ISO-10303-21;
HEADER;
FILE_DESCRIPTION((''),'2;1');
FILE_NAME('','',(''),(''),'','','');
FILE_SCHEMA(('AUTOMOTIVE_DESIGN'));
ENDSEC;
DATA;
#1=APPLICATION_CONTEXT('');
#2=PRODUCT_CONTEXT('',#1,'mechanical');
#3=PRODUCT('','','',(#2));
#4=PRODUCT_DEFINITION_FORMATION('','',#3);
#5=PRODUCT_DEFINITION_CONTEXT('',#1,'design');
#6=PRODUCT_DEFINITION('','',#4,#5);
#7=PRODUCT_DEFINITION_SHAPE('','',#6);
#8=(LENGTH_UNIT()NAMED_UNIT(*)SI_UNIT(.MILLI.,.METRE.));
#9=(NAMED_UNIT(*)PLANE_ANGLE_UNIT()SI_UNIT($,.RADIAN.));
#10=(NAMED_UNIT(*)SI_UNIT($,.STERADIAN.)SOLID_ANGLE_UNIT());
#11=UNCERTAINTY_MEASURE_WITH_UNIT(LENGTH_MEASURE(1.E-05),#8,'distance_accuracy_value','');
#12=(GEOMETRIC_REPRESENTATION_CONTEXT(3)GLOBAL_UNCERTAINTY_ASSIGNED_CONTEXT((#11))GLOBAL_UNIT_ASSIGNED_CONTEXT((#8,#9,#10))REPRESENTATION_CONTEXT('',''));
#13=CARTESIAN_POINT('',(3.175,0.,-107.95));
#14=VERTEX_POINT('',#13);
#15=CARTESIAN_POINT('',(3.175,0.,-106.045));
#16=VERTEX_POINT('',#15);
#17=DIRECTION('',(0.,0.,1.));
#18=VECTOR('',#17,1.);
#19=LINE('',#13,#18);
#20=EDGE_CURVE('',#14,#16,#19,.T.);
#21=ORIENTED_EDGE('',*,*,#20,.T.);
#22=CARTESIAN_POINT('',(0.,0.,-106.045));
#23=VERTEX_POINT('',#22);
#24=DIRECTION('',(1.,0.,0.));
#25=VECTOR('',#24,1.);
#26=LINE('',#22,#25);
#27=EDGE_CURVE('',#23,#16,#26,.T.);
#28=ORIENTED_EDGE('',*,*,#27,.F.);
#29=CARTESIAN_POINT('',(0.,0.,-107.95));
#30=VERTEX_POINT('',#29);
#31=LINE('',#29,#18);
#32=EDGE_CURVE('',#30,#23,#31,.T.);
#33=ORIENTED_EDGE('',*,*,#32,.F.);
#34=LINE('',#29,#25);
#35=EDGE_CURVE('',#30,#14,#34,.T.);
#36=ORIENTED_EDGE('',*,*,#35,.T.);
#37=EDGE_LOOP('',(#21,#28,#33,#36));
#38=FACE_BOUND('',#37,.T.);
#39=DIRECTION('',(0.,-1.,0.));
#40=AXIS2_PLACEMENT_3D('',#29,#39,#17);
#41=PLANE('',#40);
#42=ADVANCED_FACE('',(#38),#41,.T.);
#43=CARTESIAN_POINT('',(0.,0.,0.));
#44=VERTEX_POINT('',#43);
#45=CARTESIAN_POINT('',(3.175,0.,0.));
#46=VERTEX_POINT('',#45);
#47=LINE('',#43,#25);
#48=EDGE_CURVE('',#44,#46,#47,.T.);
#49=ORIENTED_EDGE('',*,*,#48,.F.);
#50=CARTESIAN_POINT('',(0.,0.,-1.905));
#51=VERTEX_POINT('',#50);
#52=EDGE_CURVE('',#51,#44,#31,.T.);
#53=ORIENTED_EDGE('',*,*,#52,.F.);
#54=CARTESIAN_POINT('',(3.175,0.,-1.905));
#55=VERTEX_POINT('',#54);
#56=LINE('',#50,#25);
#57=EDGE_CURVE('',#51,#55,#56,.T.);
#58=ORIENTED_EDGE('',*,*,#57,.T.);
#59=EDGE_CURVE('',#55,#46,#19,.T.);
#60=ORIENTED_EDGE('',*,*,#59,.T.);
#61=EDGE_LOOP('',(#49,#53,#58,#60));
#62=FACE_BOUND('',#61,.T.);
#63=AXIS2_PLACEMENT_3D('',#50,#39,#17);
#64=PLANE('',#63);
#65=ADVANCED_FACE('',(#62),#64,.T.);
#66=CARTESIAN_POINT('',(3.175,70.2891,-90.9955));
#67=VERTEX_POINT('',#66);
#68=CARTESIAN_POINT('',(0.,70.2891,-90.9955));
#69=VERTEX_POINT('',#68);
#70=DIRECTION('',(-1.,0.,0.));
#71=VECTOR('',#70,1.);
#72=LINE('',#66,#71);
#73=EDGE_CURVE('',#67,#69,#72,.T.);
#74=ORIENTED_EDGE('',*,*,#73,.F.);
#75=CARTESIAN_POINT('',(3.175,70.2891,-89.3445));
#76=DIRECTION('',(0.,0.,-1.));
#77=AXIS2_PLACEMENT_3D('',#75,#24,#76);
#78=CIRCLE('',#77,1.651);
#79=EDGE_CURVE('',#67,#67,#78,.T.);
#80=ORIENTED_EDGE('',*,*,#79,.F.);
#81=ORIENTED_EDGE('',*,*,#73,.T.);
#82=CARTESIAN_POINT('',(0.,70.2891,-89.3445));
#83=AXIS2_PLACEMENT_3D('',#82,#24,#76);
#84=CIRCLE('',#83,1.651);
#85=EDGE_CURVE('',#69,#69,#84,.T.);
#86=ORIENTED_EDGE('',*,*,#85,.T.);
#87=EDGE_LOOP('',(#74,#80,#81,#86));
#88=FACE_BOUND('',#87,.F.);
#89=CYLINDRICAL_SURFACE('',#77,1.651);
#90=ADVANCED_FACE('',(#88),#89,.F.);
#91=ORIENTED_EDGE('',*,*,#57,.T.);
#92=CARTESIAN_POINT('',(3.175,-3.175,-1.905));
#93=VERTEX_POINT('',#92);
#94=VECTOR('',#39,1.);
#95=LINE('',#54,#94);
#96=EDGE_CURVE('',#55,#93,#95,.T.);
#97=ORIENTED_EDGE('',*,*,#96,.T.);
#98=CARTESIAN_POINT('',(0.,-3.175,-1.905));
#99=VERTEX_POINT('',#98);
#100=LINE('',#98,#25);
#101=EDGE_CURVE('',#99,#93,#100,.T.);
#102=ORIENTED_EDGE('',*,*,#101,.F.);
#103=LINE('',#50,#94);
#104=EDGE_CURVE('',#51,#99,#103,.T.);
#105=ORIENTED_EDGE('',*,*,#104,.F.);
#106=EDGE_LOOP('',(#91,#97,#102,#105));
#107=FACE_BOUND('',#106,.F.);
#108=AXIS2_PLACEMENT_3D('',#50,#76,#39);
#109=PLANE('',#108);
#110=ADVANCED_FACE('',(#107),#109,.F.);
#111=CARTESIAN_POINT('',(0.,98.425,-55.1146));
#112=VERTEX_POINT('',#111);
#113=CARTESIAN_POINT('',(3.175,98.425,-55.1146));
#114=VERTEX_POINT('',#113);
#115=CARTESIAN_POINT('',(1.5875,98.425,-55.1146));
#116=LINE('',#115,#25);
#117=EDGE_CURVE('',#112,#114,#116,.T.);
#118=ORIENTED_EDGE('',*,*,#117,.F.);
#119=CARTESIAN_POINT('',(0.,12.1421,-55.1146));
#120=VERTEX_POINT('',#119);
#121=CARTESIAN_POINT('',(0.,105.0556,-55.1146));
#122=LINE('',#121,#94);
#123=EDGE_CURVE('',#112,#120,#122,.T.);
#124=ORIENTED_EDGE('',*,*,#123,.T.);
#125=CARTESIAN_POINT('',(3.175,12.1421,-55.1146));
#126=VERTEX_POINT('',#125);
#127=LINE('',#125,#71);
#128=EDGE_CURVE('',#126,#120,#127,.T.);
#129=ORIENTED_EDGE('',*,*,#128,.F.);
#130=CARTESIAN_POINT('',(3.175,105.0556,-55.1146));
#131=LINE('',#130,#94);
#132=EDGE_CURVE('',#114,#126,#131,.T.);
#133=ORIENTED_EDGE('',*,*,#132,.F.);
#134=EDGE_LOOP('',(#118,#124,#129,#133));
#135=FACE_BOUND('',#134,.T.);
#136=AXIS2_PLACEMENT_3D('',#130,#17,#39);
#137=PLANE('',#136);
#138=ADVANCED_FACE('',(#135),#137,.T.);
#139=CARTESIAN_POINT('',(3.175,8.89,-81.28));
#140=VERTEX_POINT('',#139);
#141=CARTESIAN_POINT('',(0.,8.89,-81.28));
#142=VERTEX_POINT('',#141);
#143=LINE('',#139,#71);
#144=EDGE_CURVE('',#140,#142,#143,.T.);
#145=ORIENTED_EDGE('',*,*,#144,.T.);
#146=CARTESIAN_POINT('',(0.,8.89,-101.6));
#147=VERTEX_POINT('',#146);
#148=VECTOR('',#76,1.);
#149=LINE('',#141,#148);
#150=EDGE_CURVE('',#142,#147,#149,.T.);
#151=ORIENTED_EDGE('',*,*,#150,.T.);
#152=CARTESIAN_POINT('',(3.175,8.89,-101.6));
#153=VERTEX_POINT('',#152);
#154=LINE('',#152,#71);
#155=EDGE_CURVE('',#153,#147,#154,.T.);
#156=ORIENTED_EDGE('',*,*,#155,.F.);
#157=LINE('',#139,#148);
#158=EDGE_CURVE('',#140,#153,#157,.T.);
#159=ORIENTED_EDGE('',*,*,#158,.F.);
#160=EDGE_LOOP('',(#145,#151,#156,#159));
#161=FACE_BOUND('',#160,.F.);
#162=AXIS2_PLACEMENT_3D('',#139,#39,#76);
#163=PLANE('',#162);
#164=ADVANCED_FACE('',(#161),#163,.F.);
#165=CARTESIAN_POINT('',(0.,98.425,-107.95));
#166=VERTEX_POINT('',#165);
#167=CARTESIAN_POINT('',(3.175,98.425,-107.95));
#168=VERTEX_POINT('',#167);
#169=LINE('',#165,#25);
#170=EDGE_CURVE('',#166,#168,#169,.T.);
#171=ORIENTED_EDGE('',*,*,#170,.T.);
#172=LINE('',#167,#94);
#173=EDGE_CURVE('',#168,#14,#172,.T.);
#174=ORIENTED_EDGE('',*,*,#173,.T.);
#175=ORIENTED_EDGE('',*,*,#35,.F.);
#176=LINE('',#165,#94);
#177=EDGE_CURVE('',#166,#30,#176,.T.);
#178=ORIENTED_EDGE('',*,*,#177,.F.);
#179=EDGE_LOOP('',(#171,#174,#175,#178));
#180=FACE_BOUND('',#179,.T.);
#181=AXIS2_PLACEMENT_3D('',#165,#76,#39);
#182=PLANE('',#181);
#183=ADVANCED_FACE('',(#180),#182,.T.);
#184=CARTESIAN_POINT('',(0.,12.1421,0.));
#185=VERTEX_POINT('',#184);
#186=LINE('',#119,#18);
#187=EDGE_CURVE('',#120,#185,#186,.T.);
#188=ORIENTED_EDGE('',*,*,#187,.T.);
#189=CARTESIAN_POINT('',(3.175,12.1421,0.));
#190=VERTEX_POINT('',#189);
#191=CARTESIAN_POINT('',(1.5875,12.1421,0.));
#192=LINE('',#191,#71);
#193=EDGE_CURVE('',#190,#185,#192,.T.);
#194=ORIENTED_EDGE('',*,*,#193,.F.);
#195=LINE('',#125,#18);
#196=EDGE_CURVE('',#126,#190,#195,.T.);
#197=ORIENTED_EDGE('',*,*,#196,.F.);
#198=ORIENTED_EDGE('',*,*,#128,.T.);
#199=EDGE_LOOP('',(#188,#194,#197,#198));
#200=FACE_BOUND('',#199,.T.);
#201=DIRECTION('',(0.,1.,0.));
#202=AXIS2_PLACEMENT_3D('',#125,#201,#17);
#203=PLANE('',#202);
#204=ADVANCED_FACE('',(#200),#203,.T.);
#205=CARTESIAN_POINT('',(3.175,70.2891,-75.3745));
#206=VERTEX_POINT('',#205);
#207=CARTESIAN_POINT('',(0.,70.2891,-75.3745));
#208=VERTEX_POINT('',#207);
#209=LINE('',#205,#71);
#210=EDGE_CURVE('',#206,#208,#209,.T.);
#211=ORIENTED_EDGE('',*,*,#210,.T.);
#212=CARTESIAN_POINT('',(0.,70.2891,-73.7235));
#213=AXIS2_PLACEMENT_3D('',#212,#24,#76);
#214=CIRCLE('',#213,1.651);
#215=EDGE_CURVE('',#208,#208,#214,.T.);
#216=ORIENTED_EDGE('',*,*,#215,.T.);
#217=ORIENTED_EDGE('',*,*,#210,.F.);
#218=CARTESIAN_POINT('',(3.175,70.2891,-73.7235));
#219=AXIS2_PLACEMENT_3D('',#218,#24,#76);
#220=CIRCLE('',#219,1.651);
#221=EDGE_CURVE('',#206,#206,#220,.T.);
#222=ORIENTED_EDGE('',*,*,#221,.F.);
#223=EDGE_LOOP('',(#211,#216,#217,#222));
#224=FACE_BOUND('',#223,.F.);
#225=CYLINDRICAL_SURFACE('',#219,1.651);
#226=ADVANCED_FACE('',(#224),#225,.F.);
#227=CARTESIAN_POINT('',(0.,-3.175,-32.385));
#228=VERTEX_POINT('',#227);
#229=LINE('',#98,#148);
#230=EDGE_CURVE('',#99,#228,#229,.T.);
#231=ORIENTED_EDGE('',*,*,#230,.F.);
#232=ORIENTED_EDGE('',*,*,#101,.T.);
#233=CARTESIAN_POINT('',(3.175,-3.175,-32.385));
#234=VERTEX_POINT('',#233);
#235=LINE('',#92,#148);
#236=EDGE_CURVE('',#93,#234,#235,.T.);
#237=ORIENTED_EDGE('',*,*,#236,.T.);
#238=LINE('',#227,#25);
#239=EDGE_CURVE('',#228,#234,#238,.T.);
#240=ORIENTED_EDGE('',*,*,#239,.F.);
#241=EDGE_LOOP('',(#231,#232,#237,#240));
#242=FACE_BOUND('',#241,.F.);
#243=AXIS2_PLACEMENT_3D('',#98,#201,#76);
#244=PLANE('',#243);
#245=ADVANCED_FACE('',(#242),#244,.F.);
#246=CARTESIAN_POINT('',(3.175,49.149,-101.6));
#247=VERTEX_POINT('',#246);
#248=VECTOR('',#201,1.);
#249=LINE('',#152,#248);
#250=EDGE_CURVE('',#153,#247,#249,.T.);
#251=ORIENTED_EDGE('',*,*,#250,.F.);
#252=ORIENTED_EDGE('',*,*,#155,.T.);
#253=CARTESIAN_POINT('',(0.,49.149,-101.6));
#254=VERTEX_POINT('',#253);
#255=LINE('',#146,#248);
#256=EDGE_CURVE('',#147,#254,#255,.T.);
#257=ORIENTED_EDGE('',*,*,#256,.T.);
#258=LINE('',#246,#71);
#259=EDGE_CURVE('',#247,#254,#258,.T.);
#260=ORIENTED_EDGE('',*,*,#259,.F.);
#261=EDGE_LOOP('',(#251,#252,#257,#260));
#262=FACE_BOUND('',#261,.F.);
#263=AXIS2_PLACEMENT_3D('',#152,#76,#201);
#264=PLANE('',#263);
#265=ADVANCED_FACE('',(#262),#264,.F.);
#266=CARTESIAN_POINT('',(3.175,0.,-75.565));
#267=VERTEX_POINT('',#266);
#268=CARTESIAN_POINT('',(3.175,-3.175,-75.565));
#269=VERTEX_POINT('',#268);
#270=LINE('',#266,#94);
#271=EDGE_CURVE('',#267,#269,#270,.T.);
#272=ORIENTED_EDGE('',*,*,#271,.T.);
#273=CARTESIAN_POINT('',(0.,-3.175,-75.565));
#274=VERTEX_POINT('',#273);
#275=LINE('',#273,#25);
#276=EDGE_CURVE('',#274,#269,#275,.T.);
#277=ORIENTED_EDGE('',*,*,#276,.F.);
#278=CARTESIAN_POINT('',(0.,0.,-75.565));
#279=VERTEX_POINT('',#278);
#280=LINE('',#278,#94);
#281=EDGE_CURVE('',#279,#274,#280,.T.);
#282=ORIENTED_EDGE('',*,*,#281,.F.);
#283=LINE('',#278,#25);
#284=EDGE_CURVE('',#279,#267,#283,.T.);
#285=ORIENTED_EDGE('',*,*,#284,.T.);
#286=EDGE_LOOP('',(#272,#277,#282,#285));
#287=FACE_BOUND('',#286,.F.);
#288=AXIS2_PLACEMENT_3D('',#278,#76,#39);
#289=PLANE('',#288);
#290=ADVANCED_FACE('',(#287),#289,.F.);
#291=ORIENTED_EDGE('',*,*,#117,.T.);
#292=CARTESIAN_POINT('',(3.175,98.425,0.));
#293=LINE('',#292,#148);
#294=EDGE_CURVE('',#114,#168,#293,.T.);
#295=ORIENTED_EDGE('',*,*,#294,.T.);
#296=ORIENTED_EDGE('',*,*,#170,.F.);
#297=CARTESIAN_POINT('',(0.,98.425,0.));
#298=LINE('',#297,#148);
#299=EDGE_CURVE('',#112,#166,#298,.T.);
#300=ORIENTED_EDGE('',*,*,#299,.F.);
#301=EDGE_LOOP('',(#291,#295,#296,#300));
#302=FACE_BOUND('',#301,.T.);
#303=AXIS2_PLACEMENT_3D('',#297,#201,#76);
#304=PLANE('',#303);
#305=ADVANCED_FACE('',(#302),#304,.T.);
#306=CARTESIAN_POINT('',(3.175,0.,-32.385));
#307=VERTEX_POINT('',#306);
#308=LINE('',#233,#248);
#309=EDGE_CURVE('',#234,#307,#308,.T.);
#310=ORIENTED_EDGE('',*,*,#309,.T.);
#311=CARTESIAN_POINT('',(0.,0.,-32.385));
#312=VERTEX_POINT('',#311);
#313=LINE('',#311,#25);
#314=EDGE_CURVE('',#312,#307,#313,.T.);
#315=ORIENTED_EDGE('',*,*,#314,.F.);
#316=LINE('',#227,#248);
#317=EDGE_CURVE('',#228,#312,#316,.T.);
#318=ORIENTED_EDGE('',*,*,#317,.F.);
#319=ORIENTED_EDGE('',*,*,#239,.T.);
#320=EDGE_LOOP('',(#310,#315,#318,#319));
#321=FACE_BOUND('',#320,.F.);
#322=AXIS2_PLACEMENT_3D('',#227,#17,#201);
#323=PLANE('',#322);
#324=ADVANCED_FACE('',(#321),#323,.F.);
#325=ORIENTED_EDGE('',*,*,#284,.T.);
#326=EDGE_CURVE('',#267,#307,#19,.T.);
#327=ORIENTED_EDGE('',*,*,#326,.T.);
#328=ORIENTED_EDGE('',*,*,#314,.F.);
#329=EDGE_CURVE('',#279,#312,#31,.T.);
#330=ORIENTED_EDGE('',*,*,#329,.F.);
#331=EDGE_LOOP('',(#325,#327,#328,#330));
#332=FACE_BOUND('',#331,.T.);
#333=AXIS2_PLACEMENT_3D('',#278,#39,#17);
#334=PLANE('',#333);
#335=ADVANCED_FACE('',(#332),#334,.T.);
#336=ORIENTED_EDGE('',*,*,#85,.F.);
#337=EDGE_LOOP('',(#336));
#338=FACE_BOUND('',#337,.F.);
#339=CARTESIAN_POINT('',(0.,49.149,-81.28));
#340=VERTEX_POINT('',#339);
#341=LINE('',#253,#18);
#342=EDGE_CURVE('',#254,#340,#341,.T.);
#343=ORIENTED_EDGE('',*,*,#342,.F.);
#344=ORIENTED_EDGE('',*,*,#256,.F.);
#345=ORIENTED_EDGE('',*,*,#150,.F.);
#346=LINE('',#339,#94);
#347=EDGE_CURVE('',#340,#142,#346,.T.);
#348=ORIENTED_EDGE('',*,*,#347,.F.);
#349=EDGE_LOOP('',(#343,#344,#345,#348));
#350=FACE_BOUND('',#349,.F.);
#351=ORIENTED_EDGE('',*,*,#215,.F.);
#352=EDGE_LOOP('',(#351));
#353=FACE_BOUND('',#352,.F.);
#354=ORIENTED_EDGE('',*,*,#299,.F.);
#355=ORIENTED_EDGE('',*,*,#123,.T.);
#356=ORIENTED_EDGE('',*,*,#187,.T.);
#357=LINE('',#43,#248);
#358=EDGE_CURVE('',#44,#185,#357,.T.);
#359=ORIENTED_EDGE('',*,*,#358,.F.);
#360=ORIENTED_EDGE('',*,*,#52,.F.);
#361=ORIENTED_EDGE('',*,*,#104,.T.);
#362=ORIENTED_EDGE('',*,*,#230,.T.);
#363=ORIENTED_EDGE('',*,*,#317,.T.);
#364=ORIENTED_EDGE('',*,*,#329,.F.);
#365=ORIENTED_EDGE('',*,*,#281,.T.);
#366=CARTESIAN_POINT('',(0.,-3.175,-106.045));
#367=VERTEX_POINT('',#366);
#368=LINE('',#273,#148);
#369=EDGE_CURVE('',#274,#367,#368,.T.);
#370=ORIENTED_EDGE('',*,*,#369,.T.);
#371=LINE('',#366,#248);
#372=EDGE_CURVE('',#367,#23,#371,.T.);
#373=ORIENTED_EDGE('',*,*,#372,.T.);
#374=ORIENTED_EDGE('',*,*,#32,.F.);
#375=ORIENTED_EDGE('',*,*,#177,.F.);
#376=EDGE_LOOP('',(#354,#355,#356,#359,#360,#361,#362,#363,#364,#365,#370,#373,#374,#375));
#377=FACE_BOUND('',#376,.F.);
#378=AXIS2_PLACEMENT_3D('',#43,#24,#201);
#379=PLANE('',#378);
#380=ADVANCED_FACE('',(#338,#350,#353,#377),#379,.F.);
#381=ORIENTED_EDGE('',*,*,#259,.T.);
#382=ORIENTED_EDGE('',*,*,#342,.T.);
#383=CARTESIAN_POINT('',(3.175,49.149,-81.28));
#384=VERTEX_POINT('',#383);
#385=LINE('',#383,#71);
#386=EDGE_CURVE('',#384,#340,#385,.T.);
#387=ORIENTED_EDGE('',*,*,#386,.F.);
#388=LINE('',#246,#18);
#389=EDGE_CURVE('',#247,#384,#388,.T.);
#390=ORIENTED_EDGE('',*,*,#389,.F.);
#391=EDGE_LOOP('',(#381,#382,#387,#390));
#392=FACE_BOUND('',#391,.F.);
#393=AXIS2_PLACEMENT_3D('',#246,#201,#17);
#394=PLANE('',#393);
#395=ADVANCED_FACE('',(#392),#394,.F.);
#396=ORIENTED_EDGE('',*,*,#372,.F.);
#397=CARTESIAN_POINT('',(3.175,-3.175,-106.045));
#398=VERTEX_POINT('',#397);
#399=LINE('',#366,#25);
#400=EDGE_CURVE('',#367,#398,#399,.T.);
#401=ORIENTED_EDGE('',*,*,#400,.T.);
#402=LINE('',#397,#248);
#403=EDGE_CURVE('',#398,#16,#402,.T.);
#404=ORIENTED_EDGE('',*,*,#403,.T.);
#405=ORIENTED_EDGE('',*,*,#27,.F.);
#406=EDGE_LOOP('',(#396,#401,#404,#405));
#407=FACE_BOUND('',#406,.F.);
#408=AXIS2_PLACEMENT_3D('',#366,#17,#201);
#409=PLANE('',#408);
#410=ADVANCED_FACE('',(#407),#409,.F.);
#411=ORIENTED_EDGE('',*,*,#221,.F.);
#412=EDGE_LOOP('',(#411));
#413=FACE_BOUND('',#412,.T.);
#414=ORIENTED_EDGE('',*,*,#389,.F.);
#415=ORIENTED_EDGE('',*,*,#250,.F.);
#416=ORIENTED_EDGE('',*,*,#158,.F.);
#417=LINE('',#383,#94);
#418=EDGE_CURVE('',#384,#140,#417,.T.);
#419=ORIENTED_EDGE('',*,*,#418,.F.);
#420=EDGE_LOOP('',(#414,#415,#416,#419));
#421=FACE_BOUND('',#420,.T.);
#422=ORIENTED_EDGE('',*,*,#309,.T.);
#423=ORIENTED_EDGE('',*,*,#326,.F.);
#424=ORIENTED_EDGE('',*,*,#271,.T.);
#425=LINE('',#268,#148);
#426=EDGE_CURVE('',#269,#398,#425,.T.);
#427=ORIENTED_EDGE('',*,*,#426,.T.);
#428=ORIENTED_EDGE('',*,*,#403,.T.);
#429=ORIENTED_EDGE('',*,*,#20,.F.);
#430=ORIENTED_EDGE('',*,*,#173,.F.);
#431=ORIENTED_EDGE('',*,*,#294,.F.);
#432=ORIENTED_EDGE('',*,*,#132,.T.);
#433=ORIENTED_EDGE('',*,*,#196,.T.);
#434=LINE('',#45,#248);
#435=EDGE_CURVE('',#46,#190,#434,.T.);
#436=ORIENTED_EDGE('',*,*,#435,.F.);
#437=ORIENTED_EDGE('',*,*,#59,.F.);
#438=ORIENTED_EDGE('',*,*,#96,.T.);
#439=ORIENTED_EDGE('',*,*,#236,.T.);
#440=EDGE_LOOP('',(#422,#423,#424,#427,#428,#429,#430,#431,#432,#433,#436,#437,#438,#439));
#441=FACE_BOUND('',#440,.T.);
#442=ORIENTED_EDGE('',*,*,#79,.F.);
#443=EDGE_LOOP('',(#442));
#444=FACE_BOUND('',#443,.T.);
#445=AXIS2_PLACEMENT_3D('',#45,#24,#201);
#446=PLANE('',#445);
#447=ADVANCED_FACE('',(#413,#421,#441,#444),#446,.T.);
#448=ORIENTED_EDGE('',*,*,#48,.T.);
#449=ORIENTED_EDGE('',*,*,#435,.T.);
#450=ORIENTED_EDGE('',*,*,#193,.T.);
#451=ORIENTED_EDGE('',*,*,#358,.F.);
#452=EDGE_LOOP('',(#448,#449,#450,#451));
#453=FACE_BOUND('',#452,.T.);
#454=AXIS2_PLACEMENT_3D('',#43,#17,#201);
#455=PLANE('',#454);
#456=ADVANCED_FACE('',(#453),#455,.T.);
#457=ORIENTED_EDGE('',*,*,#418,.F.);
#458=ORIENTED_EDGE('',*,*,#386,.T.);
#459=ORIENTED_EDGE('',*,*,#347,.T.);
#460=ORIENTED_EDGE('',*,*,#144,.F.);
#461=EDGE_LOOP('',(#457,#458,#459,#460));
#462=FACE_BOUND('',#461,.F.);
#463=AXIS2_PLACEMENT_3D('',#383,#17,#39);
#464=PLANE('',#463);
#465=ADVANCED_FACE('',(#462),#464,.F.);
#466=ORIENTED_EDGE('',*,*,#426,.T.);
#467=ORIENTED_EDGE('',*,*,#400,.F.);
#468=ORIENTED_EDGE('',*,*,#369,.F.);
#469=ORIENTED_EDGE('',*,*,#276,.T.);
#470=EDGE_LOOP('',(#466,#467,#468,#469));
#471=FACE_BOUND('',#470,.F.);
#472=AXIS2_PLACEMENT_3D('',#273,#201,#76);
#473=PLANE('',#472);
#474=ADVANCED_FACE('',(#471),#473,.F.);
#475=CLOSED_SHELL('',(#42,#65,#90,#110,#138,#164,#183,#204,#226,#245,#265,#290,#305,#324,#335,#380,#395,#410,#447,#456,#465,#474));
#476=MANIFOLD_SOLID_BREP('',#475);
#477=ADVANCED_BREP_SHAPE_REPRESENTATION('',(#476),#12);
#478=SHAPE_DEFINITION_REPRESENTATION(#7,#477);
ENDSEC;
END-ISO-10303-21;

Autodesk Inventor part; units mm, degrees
ref_plane "YZ Plane" through (0, 0, 0) normal (1, 0, 0) x (0, 1, 0)
ref_plane "XZ Plane" through (0, 0, 0) normal (0, 1, 0) x (-1, 0, 0)
ref_plane "XY Plane" through (0, 0, 0) normal (0, 0, 1) x (1, 0, 0)
sketch "Sketch1" plane through (0, 0, 0) normal (1, 0, 0) x (0, 1, 0)
  line L0 (0, 0) -> (98.425, 0)
  line L1 (98.425, 0) -> (98.425, -107.95)
  line L2 (98.425, -107.95) -> (0, -107.95)
  line L3 (0, -107.95) -> (0, 0)
  line L4 (0, -1.905) -> (-3.175, -1.905)
  line L5 (-3.175, -1.905) -> (-3.175, -32.385)
  line L6 (-3.175, -32.385) -> (0, -32.385)
  line L7 (0, -32.385) -> (0, -1.905)
  line L8 (0, -75.565) -> (-3.175, -75.565)
  line L9 (-3.175, -75.565) -> (-3.175, -106.045)
  line L10 (-3.175, -106.045) -> (0, -106.045)
  line L11 (0, -106.045) -> (0, -75.565)
  dimension "d0" = 107.95
  dimension "d1" = 3.175
  dimension "d2" = 3.175
  dimension "d3" = 30.48
  dimension "d4" = 30.48
  dimension "d5" = 1.905
  dimension "d6" = 1.905
  dimension "d7" = 98.425
extrude "Extrusion1" add sketch "Sketch1" along normal blind 3.175
sketch "Sketch2" plane through (3.175, 0, 0) normal (1, 0, 0) x (0, 0, -1)
  line L0 (101.6, 49.149) -> (81.28, 49.149)
  line L1 (81.28, 49.149) -> (81.28, 8.89)
  line L2 (81.28, 8.89) -> (101.6, 8.89)
  line L3 (101.6, 8.89) -> (101.6, 49.149)
  line L4 (32.385, 0) -> (75.565, 0) projected
  line L5 (0, 98.425) -> (0, 0) projected
  line L6 (107.95, 0) -> (107.95, 98.425) projected
  dimension "d10" = 40.259
  dimension "d11" = 20.32
  dimension "d12" = 8.89
  dimension "d14" = 6.35
extrude "Extrusion2" cut sketch "Sketch2" against normal blind 3.175
sketch "Sketch3" plane through (3.175, 0, 0) normal (1, 0, 0) x (0, 0, -1)
  point P0 (0, 0)
sketch "Sketch4" plane through (3.175, 0, 0) normal (1, 0, 0) x (0, 0, -1)
  line L0 (-26.3959, 105.0556) -> (55.1146, 105.0556)
  line L1 (55.1146, 105.0556) -> (55.1146, 12.1421)
  line L2 (55.1146, 12.1421) -> (-26.3959, 12.1421)
  line L3 (-26.3959, 12.1421) -> (-26.3959, 105.0556)
  point P0 (0, 0)
extrude "Extrusion3" cut sketch "Sketch4" against normal blind 3.175
sketch "Sketch5" plane through (3.175, 0, 0) normal (1, 0, 0) x (0, 0, -1)
  circle A0 centre (73.7235, 70.2891) radius 1.651
  circle A1 centre (89.3445, 70.2891) radius 1.651
  line L0 (107.95, 0) -> (107.95, 98.425) projected
  point P0 (0, 0)
  dimension "d19" = 3.302
  dimension "d20" = 3.302
  dimension "d21" = 15.621
  dimension "d22" = 18.6055
  dimension "d23" = 0
extrude "Extrusion4" cut sketch "Sketch5" against normal blind 3.175
properties part number "rib"
